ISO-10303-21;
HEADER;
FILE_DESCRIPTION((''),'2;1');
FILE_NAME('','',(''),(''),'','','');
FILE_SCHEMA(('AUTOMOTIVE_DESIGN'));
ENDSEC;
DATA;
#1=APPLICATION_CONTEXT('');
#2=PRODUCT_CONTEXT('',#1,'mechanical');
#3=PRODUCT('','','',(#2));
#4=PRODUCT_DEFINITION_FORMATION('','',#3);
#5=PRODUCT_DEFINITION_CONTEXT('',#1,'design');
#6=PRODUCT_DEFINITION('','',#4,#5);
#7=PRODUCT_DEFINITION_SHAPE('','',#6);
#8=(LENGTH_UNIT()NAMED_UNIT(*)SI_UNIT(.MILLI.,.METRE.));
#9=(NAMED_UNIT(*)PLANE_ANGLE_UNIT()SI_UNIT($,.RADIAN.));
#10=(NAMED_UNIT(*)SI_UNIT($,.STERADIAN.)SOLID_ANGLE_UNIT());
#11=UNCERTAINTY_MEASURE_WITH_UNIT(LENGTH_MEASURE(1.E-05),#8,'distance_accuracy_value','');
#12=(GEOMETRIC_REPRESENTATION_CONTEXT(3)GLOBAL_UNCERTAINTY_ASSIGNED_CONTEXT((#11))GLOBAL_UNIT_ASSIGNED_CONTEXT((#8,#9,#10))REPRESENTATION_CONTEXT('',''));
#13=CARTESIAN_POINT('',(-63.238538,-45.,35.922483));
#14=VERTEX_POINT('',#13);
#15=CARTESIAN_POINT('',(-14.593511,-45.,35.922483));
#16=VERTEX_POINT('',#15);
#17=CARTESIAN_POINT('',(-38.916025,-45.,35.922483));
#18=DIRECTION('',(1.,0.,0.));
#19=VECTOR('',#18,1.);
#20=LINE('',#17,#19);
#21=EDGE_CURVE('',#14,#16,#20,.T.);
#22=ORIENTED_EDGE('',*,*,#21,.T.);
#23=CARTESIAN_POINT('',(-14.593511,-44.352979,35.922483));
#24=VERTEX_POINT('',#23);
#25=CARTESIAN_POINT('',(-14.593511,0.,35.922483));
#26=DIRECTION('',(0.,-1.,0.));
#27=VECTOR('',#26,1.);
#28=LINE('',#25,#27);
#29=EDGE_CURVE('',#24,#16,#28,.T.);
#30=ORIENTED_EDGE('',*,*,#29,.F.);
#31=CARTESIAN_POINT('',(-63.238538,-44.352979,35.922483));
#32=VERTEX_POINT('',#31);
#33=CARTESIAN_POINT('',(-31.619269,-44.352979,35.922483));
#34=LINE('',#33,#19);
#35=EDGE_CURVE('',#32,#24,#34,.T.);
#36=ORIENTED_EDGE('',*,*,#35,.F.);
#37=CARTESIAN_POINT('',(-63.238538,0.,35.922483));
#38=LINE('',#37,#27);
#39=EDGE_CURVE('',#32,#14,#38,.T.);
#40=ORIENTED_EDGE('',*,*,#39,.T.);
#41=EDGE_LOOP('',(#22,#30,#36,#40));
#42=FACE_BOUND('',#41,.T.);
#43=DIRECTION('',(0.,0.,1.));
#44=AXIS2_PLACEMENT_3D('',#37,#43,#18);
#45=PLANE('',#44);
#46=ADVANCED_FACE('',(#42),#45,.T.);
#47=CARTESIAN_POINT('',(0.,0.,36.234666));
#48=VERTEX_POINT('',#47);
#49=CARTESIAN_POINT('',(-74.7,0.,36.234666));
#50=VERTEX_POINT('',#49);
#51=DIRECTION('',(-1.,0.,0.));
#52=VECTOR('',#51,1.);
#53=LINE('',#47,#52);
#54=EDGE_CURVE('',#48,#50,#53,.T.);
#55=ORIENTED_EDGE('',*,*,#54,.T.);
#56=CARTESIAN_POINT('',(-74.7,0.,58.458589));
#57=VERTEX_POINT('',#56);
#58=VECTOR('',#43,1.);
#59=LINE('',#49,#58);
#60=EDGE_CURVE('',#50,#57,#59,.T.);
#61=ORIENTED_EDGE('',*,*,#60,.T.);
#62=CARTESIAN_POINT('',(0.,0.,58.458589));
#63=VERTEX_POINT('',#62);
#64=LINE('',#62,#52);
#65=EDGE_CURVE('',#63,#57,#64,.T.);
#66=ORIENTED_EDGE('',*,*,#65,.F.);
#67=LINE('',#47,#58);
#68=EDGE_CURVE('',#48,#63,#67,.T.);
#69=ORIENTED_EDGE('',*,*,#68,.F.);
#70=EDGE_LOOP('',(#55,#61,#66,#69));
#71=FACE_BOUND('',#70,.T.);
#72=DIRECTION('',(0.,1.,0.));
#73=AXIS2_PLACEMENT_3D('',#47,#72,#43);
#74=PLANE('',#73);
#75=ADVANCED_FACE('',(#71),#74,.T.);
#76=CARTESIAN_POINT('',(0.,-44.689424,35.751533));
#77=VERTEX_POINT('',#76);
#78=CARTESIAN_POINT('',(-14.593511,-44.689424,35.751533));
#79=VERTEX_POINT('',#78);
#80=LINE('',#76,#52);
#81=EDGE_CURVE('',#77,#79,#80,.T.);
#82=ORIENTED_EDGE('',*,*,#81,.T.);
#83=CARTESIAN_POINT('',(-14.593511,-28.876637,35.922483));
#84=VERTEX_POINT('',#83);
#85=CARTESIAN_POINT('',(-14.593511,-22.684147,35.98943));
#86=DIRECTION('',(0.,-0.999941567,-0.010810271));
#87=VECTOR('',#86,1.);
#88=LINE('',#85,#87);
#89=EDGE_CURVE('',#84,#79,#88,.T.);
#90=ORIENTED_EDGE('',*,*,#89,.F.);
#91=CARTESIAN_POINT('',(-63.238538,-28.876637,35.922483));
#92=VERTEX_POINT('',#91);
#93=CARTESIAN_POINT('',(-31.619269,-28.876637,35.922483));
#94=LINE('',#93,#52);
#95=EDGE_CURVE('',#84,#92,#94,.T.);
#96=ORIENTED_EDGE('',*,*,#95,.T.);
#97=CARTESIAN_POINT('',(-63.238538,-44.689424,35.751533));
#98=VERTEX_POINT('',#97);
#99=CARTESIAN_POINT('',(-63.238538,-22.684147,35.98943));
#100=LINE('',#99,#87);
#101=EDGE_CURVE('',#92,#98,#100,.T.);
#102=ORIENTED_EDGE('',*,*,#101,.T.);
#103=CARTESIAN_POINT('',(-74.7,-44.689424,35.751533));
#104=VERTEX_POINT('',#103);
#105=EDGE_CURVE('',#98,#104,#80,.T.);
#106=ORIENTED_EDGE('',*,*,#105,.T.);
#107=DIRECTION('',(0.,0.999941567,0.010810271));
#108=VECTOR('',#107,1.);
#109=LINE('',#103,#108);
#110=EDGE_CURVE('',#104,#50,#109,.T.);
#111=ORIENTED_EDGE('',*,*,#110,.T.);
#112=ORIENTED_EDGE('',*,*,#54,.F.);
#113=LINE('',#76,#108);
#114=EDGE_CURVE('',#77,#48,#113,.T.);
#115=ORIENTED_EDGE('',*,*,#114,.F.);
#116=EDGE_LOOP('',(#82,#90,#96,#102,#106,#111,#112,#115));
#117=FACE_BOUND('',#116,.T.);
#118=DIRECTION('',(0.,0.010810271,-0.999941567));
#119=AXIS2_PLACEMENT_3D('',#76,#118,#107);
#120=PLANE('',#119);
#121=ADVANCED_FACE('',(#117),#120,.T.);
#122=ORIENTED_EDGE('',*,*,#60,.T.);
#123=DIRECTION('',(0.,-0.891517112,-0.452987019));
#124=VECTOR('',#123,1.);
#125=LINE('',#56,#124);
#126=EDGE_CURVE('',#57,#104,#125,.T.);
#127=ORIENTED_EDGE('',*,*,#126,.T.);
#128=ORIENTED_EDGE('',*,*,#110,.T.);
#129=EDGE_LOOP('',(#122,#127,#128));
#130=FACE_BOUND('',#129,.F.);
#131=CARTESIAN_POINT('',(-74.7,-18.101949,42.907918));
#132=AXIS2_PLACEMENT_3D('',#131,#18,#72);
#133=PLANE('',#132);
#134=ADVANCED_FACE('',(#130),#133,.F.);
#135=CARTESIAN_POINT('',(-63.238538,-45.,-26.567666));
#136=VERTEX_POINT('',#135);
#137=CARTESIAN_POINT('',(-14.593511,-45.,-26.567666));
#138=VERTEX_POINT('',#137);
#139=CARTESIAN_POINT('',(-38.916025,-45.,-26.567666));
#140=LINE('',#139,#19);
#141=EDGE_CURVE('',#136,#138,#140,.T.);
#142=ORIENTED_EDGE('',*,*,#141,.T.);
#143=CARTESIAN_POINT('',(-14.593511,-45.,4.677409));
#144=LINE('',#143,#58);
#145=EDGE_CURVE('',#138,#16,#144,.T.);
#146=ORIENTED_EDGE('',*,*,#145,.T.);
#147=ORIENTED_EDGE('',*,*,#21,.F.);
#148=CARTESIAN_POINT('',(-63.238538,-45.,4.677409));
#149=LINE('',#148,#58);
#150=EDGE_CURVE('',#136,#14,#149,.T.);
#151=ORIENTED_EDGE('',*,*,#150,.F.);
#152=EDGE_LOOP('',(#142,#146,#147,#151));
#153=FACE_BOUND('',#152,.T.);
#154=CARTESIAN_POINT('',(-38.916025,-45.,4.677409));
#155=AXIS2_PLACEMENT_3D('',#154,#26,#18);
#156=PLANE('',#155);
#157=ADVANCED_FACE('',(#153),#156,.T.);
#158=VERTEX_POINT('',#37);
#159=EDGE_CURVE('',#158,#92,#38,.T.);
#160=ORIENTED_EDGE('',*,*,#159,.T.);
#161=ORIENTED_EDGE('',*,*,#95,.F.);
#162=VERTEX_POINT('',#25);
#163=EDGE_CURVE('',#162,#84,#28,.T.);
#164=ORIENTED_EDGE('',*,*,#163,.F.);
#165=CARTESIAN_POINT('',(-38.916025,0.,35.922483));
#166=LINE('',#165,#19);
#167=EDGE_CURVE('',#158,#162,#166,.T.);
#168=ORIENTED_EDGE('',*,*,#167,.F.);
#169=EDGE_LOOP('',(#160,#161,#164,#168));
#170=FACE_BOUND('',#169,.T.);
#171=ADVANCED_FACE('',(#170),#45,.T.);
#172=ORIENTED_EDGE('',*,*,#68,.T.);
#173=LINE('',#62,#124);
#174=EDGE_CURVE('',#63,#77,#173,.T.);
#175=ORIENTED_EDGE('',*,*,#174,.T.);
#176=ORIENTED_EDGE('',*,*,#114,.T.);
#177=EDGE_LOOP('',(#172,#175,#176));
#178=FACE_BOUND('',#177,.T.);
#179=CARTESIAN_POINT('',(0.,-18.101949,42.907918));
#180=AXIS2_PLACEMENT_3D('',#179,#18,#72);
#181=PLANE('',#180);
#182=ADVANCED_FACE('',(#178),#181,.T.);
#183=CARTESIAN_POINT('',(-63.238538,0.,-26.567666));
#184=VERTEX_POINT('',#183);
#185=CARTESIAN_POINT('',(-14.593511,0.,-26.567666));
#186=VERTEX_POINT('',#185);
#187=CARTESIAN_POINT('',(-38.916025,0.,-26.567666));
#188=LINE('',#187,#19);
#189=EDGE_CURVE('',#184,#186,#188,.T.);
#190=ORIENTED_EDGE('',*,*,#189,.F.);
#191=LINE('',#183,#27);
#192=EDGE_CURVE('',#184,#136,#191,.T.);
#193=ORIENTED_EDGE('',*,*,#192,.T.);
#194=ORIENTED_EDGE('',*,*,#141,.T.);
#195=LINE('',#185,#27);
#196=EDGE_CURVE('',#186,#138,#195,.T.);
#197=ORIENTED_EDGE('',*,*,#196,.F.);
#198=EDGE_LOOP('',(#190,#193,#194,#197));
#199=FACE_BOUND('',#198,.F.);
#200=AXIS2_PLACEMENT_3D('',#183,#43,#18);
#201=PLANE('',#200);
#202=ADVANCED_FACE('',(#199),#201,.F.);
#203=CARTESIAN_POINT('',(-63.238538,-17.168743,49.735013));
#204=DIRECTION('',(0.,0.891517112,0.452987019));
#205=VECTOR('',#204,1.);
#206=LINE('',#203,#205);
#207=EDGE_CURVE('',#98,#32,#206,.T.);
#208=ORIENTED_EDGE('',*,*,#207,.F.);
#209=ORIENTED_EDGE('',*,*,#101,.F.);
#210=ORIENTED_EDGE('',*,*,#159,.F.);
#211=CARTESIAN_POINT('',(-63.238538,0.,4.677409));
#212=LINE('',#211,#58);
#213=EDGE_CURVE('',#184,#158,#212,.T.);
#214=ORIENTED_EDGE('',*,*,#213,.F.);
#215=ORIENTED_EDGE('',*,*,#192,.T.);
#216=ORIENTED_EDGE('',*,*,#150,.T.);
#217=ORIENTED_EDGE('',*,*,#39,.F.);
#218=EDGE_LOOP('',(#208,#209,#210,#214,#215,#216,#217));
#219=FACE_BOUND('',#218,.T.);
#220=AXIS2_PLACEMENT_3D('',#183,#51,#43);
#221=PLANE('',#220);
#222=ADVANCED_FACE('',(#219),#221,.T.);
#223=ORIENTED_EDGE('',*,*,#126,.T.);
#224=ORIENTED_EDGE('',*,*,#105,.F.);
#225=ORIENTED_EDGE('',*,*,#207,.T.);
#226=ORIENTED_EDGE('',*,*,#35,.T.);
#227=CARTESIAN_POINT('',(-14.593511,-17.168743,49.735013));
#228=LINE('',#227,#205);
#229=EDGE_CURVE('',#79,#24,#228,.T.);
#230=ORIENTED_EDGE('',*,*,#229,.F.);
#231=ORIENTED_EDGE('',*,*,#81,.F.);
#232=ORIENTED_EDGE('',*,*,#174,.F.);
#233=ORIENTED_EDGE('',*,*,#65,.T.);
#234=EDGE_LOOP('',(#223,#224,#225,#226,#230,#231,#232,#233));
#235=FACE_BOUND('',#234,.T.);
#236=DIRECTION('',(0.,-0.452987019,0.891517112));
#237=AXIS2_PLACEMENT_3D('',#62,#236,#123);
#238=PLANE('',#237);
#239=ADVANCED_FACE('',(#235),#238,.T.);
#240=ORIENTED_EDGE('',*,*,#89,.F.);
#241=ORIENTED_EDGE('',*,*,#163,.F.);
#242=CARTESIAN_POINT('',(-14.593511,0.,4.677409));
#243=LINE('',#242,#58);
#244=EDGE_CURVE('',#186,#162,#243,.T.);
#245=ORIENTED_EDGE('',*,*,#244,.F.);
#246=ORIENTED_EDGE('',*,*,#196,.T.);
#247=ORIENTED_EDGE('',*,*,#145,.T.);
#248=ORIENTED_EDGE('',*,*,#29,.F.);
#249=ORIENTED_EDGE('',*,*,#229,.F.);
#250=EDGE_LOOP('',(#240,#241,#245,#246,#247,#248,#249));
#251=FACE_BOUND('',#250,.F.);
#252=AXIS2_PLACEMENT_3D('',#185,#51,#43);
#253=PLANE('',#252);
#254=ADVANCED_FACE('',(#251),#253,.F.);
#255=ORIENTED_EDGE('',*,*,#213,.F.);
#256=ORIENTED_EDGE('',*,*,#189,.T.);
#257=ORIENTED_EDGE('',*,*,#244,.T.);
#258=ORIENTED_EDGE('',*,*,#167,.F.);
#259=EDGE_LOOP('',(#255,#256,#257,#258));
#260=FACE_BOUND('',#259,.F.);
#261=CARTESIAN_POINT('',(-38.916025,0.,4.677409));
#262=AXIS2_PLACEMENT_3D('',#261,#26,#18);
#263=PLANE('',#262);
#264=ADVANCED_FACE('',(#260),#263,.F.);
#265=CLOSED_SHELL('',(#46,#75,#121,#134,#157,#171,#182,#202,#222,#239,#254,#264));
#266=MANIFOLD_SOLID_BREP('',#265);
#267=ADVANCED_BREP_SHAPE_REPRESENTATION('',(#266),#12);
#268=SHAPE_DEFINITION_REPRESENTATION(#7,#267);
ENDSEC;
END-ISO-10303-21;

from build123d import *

# Parameters (mm, degrees)
F0_W     = 48.645027
F0_H     = 62.490149
F1_DEPTH = 45
F3_DEPTH = 74.7


with BuildPart() as f1:
    # F0 (on Front) → F1 (new body)
    with BuildSketch(Plane.XZ):
        with Locations((-38.916025, 4.677409)):
            Rectangle(F0_W, F0_H)
    extrude(amount=F1_DEPTH)

    # F2 (on Right) → F3 (join)
    with BuildSketch(Plane.YZ):
        Polygon((0, 58.458589), (-44.689424, 35.751533), (0, 36.234666), align=None)
    extrude(amount=-F3_DEPTH)


solid = f1.part
